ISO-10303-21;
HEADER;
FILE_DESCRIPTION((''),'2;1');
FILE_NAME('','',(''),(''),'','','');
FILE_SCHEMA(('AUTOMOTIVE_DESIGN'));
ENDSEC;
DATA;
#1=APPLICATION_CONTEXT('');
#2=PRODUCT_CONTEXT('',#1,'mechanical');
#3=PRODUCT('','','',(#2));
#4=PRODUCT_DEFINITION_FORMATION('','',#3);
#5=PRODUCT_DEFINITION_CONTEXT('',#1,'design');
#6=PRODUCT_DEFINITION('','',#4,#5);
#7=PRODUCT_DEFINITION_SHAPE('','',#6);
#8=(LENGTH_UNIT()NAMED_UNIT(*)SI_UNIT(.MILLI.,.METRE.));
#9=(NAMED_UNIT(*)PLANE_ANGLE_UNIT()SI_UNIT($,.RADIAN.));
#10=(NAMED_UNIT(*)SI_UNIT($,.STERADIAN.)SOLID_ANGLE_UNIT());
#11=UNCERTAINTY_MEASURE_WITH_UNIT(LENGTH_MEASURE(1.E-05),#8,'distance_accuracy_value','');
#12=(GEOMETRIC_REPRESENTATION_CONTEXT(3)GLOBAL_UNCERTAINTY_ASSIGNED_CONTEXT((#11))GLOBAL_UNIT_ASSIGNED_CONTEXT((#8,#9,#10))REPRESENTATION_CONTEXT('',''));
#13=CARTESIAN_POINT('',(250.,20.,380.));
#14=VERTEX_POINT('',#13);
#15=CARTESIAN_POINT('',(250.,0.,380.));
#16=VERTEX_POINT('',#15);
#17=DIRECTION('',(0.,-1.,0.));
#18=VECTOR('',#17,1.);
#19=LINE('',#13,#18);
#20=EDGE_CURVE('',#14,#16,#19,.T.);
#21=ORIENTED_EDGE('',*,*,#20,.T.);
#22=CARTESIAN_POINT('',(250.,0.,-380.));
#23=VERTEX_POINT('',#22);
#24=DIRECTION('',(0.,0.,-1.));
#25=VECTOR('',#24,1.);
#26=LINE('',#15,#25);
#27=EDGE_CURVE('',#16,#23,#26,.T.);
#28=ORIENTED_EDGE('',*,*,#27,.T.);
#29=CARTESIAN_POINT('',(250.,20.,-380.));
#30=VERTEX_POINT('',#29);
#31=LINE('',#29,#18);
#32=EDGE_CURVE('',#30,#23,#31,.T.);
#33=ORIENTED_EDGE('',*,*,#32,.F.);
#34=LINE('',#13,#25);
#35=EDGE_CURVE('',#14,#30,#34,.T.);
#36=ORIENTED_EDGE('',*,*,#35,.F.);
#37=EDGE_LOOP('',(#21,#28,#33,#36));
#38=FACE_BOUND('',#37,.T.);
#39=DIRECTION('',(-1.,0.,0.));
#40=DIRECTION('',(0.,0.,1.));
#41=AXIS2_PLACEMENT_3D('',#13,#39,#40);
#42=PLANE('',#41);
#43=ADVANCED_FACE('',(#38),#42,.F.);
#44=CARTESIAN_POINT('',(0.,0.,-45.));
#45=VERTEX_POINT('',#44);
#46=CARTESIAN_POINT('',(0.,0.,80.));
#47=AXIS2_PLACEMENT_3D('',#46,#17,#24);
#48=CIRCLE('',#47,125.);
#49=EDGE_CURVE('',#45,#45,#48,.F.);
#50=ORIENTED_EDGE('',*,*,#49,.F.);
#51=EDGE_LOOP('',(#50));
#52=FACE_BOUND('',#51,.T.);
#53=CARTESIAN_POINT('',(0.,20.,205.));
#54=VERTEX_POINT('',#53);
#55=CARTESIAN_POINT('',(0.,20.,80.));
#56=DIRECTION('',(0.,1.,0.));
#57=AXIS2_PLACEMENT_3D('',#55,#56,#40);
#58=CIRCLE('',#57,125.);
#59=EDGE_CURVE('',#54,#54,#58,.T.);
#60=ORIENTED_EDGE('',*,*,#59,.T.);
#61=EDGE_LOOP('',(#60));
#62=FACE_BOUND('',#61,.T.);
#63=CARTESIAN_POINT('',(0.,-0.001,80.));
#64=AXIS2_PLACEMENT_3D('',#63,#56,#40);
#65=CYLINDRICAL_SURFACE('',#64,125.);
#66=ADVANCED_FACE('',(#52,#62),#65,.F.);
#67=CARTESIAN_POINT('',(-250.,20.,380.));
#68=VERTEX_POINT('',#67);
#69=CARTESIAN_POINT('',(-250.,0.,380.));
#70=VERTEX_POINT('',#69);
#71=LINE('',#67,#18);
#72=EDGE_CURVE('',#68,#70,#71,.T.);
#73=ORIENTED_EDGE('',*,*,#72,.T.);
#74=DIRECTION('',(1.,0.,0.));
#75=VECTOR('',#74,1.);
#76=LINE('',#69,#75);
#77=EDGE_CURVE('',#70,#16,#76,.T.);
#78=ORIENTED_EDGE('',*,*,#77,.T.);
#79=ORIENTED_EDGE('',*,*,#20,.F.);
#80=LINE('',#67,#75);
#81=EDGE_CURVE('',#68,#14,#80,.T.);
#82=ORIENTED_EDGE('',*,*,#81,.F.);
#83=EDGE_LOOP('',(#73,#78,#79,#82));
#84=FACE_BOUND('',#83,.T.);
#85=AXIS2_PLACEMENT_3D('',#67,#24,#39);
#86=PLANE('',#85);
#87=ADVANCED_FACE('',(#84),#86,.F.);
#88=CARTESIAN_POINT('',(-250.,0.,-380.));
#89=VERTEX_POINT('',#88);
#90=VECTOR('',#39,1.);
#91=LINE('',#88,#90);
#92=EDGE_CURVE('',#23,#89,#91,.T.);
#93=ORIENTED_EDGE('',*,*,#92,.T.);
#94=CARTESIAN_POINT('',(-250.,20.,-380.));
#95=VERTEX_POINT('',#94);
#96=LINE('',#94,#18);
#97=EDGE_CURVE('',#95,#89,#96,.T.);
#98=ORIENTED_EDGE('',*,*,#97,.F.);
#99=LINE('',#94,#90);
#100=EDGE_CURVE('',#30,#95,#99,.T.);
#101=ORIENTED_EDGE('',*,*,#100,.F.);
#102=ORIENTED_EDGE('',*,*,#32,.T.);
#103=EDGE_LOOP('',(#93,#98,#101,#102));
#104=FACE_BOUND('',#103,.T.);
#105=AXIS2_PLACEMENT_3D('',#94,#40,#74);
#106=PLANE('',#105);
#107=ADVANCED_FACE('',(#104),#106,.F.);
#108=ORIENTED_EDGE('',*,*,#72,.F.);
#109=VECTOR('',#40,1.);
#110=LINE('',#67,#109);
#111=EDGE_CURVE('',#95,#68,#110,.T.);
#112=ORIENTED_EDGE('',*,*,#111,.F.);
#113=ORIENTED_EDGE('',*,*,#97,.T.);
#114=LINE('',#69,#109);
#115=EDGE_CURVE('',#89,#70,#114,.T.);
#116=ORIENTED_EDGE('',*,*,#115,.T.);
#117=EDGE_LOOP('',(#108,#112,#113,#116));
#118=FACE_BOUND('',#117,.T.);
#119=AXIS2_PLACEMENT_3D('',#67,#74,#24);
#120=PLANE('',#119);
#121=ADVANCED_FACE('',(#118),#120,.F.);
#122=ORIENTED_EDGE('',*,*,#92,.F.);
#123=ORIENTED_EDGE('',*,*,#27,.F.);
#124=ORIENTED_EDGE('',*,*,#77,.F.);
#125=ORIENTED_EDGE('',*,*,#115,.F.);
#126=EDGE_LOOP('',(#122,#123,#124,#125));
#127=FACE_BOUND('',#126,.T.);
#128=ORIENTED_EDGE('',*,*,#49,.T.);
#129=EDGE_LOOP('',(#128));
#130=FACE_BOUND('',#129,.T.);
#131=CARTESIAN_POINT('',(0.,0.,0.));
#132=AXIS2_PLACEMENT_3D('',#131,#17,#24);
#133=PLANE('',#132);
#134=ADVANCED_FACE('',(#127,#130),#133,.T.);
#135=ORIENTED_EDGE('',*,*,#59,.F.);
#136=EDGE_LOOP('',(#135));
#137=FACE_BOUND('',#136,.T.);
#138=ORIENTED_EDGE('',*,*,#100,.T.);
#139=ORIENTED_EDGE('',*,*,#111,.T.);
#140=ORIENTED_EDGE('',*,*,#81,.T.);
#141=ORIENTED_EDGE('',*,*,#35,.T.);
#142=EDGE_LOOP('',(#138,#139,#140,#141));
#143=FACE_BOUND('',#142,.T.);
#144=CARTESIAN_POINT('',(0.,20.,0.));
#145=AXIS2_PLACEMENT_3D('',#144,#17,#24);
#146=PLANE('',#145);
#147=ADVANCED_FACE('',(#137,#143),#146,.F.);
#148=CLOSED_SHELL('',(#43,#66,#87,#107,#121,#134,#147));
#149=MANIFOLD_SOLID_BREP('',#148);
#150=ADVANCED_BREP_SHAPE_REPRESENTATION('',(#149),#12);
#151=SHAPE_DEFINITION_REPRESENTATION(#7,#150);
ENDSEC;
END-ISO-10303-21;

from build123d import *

# Parameters (mm, degrees)
SKETCH1_W           = 500
SKETCH1_H           = 760
BOSS_EXTRUDE1_DEPTH = 20
CUT_EXTRUDE2_REACH  = 22
SKETCH3_R           = 125


with BuildPart() as part:
    # Sketch1 → Boss-Extrude1 (new body)
    with BuildSketch(Plane(origin=(0, 0, 0), x_dir=(1, 0, 0), z_dir=(0, 1, 0))):
        Rectangle(SKETCH1_W, SKETCH1_H)
    extrude(amount=BOSS_EXTRUDE1_DEPTH)

    # Sketch3 → Cut-Extrude2 (cut, up to next)
    with BuildSketch(Plane(origin=(0, 20, 0), x_dir=(1, 0, 0), z_dir=(0, 1, 0)), mode=Mode.PRIVATE) as cut_extrude2_sk1:
        with Locations((0, -80)):
            Circle(SKETCH3_R)
    cut_extrude2_tool1 = extrude(cut_extrude2_sk1.sketch, amount=-CUT_EXTRUDE2_REACH, mode=Mode.PRIVATE) & part.part
    add(cut_extrude2_tool1.solids().sort_by_distance((0, 20, 80))[0], mode=Mode.SUBTRACT)


solid = part.part
